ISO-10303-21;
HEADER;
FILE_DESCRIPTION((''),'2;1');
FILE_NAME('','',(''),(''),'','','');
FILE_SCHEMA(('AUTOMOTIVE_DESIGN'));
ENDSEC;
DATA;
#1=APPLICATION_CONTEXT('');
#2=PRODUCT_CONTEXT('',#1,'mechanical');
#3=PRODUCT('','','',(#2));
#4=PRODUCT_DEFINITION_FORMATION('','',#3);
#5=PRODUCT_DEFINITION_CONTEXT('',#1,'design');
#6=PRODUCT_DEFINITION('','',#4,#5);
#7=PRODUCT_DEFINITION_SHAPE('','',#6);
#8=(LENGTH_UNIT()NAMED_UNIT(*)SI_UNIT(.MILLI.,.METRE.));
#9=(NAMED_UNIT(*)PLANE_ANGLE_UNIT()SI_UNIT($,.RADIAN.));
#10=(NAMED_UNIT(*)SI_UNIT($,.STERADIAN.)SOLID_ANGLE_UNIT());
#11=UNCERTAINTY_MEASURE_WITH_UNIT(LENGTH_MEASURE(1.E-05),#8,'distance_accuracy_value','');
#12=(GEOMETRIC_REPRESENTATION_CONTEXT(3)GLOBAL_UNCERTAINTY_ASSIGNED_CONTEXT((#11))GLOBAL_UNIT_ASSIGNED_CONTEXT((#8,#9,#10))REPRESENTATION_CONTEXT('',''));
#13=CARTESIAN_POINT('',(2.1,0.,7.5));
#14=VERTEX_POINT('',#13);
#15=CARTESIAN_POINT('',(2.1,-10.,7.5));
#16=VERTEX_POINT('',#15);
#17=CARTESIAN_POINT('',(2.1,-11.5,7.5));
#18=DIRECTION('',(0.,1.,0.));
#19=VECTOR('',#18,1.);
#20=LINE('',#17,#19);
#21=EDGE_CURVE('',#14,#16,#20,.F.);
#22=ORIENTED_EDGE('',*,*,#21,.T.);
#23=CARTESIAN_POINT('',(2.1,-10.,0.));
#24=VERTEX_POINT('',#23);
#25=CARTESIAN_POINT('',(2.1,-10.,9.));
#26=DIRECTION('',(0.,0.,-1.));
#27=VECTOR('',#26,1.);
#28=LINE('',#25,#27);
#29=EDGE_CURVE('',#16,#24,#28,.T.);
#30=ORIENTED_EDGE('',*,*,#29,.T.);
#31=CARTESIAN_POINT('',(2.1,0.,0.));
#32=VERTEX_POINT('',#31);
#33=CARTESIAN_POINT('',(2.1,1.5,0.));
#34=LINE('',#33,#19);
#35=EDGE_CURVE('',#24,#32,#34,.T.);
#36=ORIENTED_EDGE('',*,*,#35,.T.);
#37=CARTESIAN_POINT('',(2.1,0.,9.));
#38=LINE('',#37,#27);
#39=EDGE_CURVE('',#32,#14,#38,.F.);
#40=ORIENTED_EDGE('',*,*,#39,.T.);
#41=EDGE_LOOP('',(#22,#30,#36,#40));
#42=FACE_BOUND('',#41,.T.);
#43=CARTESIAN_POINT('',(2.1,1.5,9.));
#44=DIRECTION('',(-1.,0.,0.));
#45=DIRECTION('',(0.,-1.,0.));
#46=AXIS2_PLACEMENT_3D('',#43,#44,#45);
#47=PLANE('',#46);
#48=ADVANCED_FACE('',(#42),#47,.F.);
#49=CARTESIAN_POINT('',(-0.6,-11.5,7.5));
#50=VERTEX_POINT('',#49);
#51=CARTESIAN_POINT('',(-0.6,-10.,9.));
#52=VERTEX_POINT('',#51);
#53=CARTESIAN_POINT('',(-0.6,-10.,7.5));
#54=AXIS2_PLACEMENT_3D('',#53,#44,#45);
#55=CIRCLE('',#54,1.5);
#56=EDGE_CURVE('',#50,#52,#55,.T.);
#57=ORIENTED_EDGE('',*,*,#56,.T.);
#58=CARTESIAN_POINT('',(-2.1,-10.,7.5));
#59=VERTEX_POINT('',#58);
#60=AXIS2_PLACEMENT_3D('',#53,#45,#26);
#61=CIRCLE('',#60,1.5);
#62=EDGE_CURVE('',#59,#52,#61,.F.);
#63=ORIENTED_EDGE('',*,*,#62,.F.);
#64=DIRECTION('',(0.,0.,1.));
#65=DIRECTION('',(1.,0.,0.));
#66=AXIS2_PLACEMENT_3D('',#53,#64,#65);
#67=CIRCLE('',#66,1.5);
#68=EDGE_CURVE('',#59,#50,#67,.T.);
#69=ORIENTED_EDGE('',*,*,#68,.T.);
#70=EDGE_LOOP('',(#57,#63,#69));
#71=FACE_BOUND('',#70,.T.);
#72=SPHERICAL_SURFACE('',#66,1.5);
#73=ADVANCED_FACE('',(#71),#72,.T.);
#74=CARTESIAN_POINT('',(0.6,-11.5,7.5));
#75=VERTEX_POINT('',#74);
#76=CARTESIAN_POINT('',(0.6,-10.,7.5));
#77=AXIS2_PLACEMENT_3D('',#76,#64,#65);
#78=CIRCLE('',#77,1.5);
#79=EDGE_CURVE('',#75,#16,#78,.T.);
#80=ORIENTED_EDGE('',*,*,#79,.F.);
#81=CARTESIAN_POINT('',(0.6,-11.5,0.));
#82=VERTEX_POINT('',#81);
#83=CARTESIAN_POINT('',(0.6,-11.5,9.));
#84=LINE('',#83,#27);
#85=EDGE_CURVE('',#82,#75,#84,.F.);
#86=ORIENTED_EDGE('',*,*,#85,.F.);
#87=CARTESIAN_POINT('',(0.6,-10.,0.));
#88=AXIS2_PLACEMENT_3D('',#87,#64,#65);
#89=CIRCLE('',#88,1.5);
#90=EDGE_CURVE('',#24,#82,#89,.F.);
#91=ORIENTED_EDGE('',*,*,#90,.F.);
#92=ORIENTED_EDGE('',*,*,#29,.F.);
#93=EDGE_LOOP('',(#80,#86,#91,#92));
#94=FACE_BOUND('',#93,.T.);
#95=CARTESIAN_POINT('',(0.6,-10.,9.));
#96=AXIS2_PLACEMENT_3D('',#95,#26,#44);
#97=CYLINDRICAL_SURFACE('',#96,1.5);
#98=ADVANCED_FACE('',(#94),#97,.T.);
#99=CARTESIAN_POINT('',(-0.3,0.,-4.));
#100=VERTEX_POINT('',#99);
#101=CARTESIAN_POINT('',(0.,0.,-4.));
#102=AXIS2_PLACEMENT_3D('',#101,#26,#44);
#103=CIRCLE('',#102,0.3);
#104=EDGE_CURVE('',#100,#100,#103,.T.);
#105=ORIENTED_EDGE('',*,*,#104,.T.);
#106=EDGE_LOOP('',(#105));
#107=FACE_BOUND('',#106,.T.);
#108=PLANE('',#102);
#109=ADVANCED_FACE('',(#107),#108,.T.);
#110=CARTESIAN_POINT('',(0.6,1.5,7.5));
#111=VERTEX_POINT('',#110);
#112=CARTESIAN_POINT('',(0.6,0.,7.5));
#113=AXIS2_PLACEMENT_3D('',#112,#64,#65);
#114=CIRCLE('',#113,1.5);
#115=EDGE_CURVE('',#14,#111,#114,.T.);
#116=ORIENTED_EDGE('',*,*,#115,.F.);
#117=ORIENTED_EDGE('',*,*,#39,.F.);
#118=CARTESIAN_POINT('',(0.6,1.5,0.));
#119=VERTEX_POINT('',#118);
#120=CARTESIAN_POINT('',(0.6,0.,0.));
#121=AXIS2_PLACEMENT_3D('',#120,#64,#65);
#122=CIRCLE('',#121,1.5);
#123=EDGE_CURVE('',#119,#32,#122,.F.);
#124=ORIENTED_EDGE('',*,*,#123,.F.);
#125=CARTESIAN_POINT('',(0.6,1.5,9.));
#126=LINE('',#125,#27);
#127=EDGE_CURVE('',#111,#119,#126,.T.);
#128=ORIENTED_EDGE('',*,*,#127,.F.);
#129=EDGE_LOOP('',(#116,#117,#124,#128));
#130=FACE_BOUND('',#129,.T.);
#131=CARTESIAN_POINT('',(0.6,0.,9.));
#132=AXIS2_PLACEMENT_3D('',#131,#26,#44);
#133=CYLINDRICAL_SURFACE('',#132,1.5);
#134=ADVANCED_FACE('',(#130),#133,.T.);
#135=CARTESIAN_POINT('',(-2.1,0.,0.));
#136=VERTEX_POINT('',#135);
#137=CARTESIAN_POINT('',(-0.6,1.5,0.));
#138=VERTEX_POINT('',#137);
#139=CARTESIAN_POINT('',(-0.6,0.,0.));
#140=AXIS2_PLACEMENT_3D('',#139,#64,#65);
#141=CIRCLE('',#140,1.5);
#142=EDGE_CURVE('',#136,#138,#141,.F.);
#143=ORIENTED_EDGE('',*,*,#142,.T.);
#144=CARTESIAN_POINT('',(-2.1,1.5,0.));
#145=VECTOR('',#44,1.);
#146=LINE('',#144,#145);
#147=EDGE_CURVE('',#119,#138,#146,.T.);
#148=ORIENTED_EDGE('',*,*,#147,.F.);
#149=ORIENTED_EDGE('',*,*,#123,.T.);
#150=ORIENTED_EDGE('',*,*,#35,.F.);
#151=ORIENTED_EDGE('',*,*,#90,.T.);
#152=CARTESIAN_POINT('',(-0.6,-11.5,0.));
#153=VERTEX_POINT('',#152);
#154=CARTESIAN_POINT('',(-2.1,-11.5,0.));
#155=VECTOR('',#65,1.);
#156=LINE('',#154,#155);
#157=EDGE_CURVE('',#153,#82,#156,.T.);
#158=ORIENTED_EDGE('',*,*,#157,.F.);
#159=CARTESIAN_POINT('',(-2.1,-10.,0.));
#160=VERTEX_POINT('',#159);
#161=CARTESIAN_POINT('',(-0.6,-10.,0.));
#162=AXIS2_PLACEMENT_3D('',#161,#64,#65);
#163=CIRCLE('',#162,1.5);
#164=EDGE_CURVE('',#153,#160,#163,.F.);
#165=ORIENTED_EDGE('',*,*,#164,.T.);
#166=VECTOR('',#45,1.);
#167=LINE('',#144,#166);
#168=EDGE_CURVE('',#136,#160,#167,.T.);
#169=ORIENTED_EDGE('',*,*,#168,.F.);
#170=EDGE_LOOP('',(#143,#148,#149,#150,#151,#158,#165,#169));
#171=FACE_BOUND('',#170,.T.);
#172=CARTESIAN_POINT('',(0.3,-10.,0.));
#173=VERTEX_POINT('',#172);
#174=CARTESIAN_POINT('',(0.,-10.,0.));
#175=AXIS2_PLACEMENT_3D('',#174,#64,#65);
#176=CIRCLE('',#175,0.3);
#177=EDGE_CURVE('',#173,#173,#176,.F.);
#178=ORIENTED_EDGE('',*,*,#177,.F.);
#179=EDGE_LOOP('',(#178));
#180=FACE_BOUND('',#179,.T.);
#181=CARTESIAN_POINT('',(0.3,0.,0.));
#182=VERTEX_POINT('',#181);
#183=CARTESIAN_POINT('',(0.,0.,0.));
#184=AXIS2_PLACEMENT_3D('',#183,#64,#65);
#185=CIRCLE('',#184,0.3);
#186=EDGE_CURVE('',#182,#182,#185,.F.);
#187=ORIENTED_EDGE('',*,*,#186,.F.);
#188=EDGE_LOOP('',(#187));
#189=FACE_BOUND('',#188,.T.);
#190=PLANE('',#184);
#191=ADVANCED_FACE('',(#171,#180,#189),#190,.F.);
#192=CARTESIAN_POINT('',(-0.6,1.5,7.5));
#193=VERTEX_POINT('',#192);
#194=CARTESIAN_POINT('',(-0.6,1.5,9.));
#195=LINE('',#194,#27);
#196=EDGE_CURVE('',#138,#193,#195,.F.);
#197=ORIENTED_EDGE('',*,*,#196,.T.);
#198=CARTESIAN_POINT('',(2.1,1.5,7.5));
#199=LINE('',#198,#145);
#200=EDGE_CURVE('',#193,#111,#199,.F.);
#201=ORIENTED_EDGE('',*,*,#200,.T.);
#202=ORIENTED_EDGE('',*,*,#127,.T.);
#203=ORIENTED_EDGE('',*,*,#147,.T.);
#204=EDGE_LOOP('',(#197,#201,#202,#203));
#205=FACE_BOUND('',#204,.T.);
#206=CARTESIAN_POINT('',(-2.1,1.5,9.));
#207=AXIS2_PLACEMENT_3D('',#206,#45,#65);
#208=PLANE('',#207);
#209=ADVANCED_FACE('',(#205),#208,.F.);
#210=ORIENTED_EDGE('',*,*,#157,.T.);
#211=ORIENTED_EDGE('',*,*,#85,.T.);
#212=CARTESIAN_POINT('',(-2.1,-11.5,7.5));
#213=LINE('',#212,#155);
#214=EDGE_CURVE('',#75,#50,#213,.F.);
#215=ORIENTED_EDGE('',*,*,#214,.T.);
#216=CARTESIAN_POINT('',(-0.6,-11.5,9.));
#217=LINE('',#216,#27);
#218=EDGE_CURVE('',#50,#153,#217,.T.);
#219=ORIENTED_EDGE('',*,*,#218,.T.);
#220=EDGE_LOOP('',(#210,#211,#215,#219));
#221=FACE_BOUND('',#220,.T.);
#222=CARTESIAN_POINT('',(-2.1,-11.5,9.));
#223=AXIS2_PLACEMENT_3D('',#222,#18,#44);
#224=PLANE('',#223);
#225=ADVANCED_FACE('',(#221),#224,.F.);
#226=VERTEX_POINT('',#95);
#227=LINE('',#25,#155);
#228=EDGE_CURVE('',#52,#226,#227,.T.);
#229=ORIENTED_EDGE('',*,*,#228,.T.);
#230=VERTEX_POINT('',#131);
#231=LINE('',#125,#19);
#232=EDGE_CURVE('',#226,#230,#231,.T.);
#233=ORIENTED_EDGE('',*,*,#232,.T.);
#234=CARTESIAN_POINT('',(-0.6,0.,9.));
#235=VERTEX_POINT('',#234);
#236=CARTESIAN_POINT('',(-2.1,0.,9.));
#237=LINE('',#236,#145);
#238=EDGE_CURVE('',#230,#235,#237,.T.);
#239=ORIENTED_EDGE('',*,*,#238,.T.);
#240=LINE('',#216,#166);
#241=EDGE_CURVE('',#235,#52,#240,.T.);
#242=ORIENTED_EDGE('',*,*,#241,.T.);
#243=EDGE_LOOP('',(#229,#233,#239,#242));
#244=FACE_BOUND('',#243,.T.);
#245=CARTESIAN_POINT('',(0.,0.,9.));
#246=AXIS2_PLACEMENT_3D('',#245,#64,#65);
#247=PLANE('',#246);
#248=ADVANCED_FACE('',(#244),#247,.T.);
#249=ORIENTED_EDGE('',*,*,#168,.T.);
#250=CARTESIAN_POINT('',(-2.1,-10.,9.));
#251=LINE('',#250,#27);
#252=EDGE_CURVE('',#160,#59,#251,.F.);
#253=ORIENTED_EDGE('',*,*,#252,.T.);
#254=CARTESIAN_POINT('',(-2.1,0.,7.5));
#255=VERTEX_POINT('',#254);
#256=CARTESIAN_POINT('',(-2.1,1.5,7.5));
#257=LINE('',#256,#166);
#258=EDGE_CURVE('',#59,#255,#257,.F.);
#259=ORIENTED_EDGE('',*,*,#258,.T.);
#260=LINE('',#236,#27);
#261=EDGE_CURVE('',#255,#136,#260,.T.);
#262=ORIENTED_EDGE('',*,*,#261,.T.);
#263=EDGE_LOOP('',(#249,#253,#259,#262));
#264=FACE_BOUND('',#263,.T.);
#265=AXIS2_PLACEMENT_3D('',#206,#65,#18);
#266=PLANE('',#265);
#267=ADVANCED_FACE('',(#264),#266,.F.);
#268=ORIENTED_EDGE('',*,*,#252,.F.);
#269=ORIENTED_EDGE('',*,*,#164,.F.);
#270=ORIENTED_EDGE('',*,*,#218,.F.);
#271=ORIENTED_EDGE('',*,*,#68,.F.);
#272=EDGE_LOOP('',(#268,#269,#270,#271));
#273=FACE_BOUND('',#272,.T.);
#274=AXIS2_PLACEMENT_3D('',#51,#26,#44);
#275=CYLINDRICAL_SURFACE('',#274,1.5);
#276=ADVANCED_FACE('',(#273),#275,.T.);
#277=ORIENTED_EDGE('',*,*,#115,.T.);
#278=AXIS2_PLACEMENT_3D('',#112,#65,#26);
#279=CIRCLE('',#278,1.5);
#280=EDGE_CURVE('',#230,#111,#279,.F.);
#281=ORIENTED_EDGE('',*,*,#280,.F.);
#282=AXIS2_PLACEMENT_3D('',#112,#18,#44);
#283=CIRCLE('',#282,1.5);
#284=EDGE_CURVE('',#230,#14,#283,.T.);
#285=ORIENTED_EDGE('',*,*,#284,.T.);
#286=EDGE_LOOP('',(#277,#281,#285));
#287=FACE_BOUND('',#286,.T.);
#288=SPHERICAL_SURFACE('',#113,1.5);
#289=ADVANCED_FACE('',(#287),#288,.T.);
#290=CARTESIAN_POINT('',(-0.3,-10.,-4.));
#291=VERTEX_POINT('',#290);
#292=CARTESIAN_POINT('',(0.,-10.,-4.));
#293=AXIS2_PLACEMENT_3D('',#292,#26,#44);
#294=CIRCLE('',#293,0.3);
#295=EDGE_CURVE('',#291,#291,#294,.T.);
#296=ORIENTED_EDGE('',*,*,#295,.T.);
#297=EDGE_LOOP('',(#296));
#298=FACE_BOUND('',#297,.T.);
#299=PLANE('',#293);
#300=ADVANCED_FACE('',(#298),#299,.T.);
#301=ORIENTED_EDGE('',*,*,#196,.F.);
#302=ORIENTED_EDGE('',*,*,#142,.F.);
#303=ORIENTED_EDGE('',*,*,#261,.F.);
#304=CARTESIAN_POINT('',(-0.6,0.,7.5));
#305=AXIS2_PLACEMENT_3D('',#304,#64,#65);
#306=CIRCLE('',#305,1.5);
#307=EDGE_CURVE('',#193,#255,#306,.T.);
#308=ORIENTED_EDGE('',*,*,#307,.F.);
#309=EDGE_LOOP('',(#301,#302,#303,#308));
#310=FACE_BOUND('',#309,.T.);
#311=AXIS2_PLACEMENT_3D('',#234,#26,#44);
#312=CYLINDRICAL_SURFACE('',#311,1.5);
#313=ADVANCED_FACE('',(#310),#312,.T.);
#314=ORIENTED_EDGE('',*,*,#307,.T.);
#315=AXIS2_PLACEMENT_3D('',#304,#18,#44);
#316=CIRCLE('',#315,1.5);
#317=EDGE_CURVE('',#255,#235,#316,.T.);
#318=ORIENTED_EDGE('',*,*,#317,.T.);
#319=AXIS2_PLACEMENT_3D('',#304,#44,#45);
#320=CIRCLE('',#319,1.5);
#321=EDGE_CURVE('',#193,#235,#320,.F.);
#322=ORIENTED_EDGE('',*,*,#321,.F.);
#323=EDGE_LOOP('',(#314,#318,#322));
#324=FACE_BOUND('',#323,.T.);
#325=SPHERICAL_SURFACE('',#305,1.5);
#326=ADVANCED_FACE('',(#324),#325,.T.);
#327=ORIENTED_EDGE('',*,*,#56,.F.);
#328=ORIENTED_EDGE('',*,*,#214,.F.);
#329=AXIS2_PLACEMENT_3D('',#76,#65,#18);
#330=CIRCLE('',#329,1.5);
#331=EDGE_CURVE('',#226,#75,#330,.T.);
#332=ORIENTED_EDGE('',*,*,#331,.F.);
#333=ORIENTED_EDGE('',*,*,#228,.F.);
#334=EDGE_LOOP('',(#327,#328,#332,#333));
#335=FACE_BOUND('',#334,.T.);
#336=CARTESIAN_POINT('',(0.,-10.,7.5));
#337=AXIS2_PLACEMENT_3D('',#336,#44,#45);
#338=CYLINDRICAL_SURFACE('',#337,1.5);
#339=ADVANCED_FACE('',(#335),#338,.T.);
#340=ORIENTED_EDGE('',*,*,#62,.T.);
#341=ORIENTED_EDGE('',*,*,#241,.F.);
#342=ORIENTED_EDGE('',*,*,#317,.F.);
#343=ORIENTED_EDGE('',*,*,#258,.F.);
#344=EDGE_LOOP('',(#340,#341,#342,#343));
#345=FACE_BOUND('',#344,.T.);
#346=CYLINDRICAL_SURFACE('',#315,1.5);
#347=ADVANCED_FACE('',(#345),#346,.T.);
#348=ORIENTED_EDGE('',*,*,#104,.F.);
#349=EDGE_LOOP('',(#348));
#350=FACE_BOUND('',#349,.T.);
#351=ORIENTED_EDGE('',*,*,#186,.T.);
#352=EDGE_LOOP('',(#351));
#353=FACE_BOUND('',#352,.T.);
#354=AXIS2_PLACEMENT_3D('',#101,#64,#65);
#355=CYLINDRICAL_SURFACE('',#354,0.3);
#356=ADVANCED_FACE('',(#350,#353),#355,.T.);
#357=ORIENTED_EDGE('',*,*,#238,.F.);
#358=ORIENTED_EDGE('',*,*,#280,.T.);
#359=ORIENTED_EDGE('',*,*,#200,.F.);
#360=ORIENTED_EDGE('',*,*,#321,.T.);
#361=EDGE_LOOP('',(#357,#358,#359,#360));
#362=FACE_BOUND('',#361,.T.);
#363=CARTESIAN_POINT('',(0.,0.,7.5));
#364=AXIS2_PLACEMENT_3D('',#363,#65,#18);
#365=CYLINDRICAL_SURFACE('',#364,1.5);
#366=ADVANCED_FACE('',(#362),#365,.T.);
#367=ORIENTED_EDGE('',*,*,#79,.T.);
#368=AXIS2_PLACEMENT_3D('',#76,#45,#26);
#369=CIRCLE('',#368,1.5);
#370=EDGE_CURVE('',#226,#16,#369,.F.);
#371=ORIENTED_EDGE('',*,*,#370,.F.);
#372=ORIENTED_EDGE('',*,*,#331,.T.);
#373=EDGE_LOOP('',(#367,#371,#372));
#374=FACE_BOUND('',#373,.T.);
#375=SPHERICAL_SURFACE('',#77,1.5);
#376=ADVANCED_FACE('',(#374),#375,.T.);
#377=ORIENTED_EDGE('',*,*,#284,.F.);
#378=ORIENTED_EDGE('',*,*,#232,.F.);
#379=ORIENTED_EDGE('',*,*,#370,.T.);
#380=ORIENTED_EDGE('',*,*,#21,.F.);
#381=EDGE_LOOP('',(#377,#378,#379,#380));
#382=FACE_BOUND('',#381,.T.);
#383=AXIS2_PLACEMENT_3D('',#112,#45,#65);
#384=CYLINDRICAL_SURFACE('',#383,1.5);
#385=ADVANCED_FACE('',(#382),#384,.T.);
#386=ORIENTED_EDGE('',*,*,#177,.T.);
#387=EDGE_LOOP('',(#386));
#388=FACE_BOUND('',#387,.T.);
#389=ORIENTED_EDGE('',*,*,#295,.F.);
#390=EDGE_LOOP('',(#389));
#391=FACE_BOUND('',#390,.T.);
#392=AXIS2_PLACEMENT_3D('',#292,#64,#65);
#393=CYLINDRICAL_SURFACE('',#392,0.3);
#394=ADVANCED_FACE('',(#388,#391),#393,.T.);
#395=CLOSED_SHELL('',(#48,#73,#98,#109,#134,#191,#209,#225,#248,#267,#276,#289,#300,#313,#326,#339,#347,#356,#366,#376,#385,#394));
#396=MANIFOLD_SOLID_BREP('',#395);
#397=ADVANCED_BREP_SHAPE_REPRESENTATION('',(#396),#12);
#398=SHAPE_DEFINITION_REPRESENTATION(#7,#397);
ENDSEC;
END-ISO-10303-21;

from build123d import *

# Parameters (mm, degrees)
SKETCH_2_W      = 4.2
SKETCH_2_H      = 13
EXTRUDE_1_DEPTH = 9
SKETCH_3_R      = 0.3
EXTRUDE_2_DEPTH = 4
FILLET_1_R      = 1.5


with BuildPart() as part:
    # Эскиз2 → Бобышка-Вытянуть1 (new body)
    with BuildSketch(Plane.XY):
        with Locations((0, -5)):
            Rectangle(SKETCH_2_W, SKETCH_2_H)
    extrude(amount=EXTRUDE_1_DEPTH)

    # Эскиз3 → Бобышка-Вытянуть2 (add)
    with BuildSketch(Plane(origin=(0, 0, 0), x_dir=(-1, 0, 0), z_dir=(0, 0, -1))):
        Circle(SKETCH_3_R)
        with Locations((0, -10)):
            Circle(SKETCH_3_R)
    extrude(amount=EXTRUDE_2_DEPTH)

    # Скругление1
    fillet_1_edges = [part.edges().sort_by_distance(p)[0] for p in [
        (2.1, -5, 9),
        (0, 1.5, 9),
        (-2.1, -5, 9),
        (0, -11.5, 9),
        (-2.1, 1.5, 4.5),
        (2.1, 1.5, 4.5),
        (2.1, -11.5, 4.5),
        (-2.1, -11.5, 4.5),
    ]]
    fillet(fillet_1_edges, radius=FILLET_1_R)


solid = part.part
